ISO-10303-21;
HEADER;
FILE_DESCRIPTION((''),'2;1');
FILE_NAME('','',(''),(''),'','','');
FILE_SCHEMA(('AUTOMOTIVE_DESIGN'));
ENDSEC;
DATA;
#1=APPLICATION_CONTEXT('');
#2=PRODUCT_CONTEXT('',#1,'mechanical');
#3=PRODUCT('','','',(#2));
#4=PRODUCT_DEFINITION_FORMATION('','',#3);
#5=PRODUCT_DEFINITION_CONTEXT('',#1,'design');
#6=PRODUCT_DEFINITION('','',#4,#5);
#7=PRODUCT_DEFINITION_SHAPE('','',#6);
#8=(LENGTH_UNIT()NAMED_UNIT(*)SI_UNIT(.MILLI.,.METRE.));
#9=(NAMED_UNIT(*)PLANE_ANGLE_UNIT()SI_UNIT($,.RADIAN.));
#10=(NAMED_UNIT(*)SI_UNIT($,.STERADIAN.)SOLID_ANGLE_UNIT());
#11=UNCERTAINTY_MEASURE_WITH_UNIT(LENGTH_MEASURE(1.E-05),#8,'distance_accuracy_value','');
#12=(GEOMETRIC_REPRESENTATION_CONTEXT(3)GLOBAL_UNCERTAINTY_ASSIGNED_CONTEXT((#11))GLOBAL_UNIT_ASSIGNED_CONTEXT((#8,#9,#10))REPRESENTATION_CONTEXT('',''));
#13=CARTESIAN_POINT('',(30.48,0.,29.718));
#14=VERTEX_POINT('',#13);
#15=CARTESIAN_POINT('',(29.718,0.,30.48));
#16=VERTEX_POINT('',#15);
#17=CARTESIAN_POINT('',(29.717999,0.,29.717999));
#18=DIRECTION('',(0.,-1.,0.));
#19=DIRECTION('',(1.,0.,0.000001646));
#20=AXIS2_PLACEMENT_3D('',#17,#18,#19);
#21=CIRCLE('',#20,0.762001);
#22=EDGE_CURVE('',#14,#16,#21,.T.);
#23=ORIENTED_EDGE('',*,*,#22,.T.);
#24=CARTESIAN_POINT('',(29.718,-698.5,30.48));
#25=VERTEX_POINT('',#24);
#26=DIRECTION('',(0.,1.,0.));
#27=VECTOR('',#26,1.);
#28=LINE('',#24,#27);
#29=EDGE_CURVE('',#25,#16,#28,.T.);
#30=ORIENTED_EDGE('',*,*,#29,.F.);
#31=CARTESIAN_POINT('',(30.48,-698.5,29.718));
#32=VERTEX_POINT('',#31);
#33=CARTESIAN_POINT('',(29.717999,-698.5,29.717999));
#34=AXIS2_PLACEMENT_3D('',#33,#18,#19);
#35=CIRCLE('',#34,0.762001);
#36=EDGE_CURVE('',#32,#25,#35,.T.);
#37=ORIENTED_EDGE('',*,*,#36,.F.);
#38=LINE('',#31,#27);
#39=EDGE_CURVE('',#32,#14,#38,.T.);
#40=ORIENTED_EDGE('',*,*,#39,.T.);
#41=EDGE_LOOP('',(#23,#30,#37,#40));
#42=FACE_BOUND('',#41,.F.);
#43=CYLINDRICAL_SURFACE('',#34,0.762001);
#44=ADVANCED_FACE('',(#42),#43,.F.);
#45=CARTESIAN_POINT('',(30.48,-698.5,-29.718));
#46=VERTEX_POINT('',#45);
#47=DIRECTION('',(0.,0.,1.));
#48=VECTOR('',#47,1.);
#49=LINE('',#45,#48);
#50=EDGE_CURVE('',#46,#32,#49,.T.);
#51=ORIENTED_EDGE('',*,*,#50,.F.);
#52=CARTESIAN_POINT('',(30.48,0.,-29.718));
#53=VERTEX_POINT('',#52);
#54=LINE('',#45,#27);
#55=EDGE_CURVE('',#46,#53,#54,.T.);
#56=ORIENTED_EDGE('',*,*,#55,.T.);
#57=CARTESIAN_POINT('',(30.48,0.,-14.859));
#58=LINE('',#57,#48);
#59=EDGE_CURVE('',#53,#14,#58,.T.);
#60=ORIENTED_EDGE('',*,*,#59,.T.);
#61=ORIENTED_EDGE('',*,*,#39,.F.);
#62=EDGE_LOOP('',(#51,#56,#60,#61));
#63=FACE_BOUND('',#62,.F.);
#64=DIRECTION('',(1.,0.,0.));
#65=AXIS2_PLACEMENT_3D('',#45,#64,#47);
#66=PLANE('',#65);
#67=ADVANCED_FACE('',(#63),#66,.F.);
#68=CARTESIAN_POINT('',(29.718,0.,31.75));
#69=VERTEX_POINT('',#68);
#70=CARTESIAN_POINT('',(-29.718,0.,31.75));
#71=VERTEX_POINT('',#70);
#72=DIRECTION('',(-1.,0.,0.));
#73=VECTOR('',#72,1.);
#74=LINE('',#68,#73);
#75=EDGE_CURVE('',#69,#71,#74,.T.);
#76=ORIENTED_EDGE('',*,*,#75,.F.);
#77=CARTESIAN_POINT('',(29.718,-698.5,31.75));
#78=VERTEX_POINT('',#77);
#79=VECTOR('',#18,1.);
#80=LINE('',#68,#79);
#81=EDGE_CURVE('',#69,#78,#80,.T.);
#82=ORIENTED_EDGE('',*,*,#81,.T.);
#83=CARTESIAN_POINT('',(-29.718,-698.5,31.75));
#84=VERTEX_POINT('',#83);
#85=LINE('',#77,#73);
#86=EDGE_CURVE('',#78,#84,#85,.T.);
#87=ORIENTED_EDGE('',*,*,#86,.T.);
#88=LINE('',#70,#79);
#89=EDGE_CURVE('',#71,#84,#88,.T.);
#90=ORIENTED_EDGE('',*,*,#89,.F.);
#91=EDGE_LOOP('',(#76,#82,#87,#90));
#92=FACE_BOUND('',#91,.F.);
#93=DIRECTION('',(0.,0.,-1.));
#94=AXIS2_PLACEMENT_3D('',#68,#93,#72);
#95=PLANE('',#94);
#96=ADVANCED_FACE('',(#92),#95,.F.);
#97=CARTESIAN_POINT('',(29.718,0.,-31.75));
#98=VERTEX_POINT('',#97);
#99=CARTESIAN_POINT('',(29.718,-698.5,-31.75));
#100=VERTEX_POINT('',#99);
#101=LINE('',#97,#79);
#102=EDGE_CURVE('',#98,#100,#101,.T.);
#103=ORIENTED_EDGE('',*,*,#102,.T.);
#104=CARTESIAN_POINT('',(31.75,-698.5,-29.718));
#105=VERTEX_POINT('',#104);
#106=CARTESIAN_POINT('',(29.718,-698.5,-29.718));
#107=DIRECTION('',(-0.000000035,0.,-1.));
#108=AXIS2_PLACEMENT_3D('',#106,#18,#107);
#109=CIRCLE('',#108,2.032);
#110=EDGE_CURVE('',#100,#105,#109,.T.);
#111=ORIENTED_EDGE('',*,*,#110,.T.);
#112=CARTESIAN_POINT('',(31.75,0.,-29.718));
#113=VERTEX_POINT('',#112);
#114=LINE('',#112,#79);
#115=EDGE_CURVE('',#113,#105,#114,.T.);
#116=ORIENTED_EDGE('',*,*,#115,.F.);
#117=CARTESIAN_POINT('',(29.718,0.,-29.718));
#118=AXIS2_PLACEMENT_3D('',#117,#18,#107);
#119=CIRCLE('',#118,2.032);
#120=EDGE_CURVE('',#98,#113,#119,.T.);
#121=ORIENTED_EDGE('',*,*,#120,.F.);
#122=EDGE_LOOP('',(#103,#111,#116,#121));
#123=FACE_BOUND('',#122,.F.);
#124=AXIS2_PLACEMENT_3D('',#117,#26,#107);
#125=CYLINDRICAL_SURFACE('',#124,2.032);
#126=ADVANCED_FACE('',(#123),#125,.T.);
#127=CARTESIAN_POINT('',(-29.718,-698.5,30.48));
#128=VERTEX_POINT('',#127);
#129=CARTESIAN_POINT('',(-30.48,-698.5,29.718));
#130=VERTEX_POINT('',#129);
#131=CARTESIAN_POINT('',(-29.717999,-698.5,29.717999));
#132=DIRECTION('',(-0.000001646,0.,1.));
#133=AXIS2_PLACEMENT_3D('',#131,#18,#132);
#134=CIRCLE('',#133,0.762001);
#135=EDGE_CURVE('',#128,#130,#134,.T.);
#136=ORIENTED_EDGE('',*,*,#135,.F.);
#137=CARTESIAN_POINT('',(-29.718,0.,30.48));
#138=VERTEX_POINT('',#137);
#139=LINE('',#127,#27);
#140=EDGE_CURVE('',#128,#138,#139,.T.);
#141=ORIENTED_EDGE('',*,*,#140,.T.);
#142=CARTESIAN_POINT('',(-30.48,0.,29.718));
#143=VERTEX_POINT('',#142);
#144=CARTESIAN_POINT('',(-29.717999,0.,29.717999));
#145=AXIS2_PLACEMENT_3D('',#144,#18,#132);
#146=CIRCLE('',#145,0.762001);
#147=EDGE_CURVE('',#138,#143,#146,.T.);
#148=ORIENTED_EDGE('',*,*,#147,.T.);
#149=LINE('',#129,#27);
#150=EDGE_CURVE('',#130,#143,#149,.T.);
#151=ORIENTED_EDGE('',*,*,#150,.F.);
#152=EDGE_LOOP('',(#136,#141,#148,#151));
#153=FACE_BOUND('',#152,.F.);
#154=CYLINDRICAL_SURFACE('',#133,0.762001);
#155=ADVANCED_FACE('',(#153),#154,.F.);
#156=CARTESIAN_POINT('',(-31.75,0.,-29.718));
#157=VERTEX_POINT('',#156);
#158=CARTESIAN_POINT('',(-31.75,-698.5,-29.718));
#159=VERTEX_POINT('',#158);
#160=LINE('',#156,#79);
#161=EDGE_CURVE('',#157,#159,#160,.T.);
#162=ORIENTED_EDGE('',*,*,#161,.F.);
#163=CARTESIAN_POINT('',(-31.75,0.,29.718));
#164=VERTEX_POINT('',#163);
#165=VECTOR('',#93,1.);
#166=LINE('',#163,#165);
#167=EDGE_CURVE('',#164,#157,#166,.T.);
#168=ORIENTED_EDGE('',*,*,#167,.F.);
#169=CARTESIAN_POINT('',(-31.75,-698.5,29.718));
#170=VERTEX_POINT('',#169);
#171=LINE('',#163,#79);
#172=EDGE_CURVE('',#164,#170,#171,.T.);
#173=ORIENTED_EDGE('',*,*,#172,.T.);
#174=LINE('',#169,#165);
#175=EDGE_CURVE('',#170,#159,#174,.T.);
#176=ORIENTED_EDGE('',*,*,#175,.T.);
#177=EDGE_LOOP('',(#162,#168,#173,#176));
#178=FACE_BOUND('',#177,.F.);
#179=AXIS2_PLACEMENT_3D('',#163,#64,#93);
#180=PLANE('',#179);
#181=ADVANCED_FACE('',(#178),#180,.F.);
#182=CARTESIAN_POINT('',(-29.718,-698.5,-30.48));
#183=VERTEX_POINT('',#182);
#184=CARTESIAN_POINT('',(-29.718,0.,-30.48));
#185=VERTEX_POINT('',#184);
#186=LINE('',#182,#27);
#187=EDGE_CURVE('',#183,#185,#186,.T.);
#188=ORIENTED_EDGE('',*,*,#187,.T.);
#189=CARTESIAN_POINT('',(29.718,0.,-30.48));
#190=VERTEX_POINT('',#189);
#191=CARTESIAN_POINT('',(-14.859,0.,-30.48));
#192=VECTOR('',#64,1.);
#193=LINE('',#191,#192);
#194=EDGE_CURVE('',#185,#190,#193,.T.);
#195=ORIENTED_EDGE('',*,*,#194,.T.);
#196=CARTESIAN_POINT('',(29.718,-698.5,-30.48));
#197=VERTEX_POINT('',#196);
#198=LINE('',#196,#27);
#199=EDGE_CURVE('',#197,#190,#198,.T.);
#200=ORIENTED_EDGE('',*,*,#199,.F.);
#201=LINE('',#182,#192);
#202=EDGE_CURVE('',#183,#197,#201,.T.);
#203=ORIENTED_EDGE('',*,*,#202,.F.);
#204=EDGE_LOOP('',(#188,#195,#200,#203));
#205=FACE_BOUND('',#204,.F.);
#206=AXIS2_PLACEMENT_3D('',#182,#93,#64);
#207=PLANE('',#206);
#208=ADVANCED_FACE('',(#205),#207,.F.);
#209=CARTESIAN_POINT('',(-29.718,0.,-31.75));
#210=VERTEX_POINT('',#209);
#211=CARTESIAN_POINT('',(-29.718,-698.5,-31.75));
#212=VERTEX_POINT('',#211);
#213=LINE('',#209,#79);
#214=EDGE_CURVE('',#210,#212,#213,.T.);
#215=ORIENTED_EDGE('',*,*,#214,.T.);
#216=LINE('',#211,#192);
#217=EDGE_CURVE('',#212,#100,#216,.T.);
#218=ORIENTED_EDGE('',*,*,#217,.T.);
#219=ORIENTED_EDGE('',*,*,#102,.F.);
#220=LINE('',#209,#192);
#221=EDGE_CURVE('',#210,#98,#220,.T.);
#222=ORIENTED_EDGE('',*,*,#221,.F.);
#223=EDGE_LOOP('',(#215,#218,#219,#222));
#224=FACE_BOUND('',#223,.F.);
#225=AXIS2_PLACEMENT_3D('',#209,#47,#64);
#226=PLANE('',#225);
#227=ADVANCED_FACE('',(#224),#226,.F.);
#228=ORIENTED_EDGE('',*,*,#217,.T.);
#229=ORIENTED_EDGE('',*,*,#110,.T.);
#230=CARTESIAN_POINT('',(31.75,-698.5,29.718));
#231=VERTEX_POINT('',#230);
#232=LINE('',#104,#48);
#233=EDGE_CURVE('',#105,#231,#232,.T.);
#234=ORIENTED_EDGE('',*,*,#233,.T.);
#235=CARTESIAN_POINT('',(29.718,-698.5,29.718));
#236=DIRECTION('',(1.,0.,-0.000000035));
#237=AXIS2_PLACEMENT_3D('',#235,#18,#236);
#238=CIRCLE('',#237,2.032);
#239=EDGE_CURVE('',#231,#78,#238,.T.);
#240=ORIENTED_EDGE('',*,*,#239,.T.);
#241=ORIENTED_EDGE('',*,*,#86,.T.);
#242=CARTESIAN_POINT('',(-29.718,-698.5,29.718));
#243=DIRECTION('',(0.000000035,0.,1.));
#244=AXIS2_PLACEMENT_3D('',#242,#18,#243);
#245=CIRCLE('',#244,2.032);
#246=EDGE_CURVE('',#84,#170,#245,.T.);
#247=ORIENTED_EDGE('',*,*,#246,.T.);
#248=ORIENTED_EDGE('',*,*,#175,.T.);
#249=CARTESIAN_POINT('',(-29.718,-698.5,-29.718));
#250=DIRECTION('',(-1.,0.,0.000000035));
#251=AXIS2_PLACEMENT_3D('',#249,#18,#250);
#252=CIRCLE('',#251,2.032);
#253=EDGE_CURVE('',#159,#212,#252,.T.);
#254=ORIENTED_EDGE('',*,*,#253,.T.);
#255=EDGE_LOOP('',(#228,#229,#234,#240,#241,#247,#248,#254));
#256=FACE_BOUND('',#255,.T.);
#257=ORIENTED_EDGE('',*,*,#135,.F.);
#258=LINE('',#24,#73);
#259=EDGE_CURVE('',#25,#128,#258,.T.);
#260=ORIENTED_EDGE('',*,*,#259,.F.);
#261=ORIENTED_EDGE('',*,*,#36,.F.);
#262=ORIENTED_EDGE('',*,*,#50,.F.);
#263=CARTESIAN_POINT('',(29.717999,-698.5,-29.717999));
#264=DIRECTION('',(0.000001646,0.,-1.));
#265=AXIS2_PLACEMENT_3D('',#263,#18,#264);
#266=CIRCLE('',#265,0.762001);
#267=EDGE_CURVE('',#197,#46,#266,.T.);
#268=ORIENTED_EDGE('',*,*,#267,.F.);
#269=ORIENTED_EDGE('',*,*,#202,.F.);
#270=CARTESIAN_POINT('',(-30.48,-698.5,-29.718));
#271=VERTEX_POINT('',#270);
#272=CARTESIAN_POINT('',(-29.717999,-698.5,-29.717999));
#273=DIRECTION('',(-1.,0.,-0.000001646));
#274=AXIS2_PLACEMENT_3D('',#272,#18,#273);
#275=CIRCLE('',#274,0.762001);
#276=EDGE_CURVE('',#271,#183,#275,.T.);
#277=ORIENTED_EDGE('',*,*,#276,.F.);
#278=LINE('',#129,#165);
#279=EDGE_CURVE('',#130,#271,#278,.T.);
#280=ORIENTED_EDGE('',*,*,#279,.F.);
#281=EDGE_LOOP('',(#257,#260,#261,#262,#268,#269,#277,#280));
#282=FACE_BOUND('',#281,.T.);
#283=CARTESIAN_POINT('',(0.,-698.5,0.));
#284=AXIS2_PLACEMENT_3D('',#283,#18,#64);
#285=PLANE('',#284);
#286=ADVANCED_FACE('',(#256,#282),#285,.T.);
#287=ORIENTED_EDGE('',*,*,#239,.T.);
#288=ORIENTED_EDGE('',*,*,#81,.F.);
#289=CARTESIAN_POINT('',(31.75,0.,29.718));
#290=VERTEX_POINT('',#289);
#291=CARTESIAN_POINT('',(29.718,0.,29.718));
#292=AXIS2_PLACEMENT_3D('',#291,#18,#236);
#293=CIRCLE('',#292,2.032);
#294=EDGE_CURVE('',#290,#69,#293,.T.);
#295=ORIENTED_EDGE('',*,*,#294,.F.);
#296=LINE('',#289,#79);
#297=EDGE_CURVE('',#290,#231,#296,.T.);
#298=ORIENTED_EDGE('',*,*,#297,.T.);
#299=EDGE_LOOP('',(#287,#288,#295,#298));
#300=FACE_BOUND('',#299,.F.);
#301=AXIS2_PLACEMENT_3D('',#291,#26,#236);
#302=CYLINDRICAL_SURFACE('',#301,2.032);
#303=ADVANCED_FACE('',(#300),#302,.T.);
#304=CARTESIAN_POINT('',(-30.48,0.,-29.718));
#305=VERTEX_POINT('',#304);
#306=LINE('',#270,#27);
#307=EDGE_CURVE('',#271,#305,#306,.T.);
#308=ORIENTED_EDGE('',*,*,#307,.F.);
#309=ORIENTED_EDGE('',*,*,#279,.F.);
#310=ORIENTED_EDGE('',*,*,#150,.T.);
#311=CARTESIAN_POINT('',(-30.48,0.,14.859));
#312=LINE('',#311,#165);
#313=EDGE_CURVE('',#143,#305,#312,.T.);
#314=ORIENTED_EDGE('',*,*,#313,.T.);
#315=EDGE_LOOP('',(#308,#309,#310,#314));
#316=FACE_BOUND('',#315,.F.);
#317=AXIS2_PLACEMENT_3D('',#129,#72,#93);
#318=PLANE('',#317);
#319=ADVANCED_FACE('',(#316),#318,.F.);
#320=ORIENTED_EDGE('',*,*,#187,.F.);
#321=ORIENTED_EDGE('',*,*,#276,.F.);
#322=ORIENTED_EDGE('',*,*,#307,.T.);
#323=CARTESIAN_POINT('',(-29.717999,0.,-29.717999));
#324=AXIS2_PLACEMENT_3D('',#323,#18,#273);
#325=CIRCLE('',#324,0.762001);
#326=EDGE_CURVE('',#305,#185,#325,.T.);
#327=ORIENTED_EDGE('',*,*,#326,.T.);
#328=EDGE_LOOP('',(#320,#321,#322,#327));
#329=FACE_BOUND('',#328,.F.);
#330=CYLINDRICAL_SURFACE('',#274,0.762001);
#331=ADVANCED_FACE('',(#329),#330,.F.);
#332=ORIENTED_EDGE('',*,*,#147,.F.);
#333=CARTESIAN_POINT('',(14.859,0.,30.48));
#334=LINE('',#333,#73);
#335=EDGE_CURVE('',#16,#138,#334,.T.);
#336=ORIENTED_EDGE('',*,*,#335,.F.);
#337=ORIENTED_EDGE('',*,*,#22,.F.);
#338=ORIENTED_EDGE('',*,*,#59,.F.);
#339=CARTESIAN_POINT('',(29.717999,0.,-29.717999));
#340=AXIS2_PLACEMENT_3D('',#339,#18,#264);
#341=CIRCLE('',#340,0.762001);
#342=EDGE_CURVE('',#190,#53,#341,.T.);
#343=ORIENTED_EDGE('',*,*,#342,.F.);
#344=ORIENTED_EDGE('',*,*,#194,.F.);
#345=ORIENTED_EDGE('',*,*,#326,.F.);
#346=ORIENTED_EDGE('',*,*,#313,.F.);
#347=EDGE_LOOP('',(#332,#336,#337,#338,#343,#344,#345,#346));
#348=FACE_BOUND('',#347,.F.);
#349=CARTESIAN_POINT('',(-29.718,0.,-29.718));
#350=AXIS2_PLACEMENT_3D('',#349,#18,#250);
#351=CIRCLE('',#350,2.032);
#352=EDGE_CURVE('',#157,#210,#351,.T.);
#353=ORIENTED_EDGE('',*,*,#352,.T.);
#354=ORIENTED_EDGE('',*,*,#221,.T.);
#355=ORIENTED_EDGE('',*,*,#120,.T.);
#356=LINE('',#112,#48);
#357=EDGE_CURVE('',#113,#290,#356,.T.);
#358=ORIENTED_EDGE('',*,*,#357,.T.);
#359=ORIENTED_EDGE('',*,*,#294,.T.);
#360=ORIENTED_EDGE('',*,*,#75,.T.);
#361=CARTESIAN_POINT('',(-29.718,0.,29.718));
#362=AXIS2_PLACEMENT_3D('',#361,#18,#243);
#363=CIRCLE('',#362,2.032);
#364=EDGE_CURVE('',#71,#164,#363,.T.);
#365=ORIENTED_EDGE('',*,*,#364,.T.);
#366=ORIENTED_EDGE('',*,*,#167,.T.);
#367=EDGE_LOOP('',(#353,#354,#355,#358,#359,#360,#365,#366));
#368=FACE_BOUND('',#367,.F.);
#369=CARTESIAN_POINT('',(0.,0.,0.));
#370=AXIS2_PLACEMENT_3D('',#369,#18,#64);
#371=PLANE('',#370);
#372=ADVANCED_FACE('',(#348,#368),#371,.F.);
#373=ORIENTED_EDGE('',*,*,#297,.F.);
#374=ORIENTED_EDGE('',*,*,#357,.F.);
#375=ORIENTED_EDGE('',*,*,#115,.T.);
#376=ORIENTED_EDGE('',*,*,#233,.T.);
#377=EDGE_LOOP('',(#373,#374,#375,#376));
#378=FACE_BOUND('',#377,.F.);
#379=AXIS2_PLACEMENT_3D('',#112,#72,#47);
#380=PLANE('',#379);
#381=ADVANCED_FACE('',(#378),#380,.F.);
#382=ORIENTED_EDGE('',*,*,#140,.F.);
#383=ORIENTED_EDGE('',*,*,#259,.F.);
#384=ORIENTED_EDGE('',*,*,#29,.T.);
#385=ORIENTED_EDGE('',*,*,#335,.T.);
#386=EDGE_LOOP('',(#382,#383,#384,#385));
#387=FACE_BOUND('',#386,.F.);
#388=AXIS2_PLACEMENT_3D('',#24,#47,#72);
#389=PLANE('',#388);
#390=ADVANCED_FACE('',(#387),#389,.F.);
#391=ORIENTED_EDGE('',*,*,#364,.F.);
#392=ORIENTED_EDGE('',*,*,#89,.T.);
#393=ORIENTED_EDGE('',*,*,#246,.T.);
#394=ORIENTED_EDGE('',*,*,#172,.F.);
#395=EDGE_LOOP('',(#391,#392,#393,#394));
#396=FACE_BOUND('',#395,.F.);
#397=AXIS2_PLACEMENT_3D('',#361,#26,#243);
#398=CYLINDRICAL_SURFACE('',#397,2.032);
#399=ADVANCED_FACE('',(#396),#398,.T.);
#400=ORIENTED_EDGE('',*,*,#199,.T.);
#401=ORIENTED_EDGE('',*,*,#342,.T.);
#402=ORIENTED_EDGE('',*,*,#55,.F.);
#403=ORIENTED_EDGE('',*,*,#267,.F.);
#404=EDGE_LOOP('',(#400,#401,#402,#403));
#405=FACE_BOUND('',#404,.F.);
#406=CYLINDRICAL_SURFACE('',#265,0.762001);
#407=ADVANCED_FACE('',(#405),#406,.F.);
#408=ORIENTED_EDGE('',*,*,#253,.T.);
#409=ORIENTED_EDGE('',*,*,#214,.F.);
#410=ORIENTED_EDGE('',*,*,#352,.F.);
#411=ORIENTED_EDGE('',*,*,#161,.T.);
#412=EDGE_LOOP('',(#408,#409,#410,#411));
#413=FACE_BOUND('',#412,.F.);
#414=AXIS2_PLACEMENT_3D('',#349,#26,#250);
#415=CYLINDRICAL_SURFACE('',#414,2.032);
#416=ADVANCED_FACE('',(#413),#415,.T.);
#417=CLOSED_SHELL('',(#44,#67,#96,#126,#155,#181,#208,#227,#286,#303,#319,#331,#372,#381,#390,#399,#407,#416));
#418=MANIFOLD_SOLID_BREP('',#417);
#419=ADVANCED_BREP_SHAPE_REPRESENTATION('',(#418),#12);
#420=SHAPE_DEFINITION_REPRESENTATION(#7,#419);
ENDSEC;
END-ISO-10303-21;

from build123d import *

# Parameters (mm, degrees)
F1_DEPTH = 698.5
F3_DEPTH = 698.501


with BuildPart() as f1:
    # F0 (on Front) → F1 (new body)
    with BuildSketch(Plane.XZ):
        with BuildLine():
            Line((-29.718, -31.75), (29.718, -31.75))
            ThreePointArc((29.718, -31.75), (31.154841, -31.154841), (31.75, -29.718))
            Line((31.75, -29.718), (31.75, 29.718))
            ThreePointArc((31.75, 29.718), (31.154841, 31.154841), (29.718, 31.75))
            Line((29.718, 31.75), (-29.718, 31.75))
            ThreePointArc((-29.718, 31.75), (-31.154841, 31.154841), (-31.75, 29.718))
            Line((-31.75, 29.718), (-31.75, -29.718))
            ThreePointArc((-31.75, -29.718), (-31.154841, -31.154841), (-29.718, -31.75))
        make_face()
    extrude(amount=F1_DEPTH)

    # F2 (on face) → F3 (cut, through all)
    with BuildSketch(Plane.XZ.offset(698.5)):
        with BuildLine():
            ThreePointArc((29.718, -30.48), (30.256815, -30.256815), (30.48, -29.718))
            Line((30.48, -29.718), (30.48, 29.718))
            ThreePointArc((30.48, 29.718), (30.256815, 30.256815), (29.718, 30.48))
            Line((29.718, 30.48), (-29.718, 30.48))
            ThreePointArc((-29.718, 30.48), (-30.256815, 30.256815), (-30.48, 29.718))
            Line((-30.48, 29.718), (-30.48, -29.718))
            ThreePointArc((-30.48, -29.718), (-30.256815, -30.256815), (-29.718, -30.48))
            Line((-29.718, -30.48), (29.718, -30.48))
        make_face()
    extrude(amount=-F3_DEPTH, mode=Mode.SUBTRACT)


solid = f1.part
